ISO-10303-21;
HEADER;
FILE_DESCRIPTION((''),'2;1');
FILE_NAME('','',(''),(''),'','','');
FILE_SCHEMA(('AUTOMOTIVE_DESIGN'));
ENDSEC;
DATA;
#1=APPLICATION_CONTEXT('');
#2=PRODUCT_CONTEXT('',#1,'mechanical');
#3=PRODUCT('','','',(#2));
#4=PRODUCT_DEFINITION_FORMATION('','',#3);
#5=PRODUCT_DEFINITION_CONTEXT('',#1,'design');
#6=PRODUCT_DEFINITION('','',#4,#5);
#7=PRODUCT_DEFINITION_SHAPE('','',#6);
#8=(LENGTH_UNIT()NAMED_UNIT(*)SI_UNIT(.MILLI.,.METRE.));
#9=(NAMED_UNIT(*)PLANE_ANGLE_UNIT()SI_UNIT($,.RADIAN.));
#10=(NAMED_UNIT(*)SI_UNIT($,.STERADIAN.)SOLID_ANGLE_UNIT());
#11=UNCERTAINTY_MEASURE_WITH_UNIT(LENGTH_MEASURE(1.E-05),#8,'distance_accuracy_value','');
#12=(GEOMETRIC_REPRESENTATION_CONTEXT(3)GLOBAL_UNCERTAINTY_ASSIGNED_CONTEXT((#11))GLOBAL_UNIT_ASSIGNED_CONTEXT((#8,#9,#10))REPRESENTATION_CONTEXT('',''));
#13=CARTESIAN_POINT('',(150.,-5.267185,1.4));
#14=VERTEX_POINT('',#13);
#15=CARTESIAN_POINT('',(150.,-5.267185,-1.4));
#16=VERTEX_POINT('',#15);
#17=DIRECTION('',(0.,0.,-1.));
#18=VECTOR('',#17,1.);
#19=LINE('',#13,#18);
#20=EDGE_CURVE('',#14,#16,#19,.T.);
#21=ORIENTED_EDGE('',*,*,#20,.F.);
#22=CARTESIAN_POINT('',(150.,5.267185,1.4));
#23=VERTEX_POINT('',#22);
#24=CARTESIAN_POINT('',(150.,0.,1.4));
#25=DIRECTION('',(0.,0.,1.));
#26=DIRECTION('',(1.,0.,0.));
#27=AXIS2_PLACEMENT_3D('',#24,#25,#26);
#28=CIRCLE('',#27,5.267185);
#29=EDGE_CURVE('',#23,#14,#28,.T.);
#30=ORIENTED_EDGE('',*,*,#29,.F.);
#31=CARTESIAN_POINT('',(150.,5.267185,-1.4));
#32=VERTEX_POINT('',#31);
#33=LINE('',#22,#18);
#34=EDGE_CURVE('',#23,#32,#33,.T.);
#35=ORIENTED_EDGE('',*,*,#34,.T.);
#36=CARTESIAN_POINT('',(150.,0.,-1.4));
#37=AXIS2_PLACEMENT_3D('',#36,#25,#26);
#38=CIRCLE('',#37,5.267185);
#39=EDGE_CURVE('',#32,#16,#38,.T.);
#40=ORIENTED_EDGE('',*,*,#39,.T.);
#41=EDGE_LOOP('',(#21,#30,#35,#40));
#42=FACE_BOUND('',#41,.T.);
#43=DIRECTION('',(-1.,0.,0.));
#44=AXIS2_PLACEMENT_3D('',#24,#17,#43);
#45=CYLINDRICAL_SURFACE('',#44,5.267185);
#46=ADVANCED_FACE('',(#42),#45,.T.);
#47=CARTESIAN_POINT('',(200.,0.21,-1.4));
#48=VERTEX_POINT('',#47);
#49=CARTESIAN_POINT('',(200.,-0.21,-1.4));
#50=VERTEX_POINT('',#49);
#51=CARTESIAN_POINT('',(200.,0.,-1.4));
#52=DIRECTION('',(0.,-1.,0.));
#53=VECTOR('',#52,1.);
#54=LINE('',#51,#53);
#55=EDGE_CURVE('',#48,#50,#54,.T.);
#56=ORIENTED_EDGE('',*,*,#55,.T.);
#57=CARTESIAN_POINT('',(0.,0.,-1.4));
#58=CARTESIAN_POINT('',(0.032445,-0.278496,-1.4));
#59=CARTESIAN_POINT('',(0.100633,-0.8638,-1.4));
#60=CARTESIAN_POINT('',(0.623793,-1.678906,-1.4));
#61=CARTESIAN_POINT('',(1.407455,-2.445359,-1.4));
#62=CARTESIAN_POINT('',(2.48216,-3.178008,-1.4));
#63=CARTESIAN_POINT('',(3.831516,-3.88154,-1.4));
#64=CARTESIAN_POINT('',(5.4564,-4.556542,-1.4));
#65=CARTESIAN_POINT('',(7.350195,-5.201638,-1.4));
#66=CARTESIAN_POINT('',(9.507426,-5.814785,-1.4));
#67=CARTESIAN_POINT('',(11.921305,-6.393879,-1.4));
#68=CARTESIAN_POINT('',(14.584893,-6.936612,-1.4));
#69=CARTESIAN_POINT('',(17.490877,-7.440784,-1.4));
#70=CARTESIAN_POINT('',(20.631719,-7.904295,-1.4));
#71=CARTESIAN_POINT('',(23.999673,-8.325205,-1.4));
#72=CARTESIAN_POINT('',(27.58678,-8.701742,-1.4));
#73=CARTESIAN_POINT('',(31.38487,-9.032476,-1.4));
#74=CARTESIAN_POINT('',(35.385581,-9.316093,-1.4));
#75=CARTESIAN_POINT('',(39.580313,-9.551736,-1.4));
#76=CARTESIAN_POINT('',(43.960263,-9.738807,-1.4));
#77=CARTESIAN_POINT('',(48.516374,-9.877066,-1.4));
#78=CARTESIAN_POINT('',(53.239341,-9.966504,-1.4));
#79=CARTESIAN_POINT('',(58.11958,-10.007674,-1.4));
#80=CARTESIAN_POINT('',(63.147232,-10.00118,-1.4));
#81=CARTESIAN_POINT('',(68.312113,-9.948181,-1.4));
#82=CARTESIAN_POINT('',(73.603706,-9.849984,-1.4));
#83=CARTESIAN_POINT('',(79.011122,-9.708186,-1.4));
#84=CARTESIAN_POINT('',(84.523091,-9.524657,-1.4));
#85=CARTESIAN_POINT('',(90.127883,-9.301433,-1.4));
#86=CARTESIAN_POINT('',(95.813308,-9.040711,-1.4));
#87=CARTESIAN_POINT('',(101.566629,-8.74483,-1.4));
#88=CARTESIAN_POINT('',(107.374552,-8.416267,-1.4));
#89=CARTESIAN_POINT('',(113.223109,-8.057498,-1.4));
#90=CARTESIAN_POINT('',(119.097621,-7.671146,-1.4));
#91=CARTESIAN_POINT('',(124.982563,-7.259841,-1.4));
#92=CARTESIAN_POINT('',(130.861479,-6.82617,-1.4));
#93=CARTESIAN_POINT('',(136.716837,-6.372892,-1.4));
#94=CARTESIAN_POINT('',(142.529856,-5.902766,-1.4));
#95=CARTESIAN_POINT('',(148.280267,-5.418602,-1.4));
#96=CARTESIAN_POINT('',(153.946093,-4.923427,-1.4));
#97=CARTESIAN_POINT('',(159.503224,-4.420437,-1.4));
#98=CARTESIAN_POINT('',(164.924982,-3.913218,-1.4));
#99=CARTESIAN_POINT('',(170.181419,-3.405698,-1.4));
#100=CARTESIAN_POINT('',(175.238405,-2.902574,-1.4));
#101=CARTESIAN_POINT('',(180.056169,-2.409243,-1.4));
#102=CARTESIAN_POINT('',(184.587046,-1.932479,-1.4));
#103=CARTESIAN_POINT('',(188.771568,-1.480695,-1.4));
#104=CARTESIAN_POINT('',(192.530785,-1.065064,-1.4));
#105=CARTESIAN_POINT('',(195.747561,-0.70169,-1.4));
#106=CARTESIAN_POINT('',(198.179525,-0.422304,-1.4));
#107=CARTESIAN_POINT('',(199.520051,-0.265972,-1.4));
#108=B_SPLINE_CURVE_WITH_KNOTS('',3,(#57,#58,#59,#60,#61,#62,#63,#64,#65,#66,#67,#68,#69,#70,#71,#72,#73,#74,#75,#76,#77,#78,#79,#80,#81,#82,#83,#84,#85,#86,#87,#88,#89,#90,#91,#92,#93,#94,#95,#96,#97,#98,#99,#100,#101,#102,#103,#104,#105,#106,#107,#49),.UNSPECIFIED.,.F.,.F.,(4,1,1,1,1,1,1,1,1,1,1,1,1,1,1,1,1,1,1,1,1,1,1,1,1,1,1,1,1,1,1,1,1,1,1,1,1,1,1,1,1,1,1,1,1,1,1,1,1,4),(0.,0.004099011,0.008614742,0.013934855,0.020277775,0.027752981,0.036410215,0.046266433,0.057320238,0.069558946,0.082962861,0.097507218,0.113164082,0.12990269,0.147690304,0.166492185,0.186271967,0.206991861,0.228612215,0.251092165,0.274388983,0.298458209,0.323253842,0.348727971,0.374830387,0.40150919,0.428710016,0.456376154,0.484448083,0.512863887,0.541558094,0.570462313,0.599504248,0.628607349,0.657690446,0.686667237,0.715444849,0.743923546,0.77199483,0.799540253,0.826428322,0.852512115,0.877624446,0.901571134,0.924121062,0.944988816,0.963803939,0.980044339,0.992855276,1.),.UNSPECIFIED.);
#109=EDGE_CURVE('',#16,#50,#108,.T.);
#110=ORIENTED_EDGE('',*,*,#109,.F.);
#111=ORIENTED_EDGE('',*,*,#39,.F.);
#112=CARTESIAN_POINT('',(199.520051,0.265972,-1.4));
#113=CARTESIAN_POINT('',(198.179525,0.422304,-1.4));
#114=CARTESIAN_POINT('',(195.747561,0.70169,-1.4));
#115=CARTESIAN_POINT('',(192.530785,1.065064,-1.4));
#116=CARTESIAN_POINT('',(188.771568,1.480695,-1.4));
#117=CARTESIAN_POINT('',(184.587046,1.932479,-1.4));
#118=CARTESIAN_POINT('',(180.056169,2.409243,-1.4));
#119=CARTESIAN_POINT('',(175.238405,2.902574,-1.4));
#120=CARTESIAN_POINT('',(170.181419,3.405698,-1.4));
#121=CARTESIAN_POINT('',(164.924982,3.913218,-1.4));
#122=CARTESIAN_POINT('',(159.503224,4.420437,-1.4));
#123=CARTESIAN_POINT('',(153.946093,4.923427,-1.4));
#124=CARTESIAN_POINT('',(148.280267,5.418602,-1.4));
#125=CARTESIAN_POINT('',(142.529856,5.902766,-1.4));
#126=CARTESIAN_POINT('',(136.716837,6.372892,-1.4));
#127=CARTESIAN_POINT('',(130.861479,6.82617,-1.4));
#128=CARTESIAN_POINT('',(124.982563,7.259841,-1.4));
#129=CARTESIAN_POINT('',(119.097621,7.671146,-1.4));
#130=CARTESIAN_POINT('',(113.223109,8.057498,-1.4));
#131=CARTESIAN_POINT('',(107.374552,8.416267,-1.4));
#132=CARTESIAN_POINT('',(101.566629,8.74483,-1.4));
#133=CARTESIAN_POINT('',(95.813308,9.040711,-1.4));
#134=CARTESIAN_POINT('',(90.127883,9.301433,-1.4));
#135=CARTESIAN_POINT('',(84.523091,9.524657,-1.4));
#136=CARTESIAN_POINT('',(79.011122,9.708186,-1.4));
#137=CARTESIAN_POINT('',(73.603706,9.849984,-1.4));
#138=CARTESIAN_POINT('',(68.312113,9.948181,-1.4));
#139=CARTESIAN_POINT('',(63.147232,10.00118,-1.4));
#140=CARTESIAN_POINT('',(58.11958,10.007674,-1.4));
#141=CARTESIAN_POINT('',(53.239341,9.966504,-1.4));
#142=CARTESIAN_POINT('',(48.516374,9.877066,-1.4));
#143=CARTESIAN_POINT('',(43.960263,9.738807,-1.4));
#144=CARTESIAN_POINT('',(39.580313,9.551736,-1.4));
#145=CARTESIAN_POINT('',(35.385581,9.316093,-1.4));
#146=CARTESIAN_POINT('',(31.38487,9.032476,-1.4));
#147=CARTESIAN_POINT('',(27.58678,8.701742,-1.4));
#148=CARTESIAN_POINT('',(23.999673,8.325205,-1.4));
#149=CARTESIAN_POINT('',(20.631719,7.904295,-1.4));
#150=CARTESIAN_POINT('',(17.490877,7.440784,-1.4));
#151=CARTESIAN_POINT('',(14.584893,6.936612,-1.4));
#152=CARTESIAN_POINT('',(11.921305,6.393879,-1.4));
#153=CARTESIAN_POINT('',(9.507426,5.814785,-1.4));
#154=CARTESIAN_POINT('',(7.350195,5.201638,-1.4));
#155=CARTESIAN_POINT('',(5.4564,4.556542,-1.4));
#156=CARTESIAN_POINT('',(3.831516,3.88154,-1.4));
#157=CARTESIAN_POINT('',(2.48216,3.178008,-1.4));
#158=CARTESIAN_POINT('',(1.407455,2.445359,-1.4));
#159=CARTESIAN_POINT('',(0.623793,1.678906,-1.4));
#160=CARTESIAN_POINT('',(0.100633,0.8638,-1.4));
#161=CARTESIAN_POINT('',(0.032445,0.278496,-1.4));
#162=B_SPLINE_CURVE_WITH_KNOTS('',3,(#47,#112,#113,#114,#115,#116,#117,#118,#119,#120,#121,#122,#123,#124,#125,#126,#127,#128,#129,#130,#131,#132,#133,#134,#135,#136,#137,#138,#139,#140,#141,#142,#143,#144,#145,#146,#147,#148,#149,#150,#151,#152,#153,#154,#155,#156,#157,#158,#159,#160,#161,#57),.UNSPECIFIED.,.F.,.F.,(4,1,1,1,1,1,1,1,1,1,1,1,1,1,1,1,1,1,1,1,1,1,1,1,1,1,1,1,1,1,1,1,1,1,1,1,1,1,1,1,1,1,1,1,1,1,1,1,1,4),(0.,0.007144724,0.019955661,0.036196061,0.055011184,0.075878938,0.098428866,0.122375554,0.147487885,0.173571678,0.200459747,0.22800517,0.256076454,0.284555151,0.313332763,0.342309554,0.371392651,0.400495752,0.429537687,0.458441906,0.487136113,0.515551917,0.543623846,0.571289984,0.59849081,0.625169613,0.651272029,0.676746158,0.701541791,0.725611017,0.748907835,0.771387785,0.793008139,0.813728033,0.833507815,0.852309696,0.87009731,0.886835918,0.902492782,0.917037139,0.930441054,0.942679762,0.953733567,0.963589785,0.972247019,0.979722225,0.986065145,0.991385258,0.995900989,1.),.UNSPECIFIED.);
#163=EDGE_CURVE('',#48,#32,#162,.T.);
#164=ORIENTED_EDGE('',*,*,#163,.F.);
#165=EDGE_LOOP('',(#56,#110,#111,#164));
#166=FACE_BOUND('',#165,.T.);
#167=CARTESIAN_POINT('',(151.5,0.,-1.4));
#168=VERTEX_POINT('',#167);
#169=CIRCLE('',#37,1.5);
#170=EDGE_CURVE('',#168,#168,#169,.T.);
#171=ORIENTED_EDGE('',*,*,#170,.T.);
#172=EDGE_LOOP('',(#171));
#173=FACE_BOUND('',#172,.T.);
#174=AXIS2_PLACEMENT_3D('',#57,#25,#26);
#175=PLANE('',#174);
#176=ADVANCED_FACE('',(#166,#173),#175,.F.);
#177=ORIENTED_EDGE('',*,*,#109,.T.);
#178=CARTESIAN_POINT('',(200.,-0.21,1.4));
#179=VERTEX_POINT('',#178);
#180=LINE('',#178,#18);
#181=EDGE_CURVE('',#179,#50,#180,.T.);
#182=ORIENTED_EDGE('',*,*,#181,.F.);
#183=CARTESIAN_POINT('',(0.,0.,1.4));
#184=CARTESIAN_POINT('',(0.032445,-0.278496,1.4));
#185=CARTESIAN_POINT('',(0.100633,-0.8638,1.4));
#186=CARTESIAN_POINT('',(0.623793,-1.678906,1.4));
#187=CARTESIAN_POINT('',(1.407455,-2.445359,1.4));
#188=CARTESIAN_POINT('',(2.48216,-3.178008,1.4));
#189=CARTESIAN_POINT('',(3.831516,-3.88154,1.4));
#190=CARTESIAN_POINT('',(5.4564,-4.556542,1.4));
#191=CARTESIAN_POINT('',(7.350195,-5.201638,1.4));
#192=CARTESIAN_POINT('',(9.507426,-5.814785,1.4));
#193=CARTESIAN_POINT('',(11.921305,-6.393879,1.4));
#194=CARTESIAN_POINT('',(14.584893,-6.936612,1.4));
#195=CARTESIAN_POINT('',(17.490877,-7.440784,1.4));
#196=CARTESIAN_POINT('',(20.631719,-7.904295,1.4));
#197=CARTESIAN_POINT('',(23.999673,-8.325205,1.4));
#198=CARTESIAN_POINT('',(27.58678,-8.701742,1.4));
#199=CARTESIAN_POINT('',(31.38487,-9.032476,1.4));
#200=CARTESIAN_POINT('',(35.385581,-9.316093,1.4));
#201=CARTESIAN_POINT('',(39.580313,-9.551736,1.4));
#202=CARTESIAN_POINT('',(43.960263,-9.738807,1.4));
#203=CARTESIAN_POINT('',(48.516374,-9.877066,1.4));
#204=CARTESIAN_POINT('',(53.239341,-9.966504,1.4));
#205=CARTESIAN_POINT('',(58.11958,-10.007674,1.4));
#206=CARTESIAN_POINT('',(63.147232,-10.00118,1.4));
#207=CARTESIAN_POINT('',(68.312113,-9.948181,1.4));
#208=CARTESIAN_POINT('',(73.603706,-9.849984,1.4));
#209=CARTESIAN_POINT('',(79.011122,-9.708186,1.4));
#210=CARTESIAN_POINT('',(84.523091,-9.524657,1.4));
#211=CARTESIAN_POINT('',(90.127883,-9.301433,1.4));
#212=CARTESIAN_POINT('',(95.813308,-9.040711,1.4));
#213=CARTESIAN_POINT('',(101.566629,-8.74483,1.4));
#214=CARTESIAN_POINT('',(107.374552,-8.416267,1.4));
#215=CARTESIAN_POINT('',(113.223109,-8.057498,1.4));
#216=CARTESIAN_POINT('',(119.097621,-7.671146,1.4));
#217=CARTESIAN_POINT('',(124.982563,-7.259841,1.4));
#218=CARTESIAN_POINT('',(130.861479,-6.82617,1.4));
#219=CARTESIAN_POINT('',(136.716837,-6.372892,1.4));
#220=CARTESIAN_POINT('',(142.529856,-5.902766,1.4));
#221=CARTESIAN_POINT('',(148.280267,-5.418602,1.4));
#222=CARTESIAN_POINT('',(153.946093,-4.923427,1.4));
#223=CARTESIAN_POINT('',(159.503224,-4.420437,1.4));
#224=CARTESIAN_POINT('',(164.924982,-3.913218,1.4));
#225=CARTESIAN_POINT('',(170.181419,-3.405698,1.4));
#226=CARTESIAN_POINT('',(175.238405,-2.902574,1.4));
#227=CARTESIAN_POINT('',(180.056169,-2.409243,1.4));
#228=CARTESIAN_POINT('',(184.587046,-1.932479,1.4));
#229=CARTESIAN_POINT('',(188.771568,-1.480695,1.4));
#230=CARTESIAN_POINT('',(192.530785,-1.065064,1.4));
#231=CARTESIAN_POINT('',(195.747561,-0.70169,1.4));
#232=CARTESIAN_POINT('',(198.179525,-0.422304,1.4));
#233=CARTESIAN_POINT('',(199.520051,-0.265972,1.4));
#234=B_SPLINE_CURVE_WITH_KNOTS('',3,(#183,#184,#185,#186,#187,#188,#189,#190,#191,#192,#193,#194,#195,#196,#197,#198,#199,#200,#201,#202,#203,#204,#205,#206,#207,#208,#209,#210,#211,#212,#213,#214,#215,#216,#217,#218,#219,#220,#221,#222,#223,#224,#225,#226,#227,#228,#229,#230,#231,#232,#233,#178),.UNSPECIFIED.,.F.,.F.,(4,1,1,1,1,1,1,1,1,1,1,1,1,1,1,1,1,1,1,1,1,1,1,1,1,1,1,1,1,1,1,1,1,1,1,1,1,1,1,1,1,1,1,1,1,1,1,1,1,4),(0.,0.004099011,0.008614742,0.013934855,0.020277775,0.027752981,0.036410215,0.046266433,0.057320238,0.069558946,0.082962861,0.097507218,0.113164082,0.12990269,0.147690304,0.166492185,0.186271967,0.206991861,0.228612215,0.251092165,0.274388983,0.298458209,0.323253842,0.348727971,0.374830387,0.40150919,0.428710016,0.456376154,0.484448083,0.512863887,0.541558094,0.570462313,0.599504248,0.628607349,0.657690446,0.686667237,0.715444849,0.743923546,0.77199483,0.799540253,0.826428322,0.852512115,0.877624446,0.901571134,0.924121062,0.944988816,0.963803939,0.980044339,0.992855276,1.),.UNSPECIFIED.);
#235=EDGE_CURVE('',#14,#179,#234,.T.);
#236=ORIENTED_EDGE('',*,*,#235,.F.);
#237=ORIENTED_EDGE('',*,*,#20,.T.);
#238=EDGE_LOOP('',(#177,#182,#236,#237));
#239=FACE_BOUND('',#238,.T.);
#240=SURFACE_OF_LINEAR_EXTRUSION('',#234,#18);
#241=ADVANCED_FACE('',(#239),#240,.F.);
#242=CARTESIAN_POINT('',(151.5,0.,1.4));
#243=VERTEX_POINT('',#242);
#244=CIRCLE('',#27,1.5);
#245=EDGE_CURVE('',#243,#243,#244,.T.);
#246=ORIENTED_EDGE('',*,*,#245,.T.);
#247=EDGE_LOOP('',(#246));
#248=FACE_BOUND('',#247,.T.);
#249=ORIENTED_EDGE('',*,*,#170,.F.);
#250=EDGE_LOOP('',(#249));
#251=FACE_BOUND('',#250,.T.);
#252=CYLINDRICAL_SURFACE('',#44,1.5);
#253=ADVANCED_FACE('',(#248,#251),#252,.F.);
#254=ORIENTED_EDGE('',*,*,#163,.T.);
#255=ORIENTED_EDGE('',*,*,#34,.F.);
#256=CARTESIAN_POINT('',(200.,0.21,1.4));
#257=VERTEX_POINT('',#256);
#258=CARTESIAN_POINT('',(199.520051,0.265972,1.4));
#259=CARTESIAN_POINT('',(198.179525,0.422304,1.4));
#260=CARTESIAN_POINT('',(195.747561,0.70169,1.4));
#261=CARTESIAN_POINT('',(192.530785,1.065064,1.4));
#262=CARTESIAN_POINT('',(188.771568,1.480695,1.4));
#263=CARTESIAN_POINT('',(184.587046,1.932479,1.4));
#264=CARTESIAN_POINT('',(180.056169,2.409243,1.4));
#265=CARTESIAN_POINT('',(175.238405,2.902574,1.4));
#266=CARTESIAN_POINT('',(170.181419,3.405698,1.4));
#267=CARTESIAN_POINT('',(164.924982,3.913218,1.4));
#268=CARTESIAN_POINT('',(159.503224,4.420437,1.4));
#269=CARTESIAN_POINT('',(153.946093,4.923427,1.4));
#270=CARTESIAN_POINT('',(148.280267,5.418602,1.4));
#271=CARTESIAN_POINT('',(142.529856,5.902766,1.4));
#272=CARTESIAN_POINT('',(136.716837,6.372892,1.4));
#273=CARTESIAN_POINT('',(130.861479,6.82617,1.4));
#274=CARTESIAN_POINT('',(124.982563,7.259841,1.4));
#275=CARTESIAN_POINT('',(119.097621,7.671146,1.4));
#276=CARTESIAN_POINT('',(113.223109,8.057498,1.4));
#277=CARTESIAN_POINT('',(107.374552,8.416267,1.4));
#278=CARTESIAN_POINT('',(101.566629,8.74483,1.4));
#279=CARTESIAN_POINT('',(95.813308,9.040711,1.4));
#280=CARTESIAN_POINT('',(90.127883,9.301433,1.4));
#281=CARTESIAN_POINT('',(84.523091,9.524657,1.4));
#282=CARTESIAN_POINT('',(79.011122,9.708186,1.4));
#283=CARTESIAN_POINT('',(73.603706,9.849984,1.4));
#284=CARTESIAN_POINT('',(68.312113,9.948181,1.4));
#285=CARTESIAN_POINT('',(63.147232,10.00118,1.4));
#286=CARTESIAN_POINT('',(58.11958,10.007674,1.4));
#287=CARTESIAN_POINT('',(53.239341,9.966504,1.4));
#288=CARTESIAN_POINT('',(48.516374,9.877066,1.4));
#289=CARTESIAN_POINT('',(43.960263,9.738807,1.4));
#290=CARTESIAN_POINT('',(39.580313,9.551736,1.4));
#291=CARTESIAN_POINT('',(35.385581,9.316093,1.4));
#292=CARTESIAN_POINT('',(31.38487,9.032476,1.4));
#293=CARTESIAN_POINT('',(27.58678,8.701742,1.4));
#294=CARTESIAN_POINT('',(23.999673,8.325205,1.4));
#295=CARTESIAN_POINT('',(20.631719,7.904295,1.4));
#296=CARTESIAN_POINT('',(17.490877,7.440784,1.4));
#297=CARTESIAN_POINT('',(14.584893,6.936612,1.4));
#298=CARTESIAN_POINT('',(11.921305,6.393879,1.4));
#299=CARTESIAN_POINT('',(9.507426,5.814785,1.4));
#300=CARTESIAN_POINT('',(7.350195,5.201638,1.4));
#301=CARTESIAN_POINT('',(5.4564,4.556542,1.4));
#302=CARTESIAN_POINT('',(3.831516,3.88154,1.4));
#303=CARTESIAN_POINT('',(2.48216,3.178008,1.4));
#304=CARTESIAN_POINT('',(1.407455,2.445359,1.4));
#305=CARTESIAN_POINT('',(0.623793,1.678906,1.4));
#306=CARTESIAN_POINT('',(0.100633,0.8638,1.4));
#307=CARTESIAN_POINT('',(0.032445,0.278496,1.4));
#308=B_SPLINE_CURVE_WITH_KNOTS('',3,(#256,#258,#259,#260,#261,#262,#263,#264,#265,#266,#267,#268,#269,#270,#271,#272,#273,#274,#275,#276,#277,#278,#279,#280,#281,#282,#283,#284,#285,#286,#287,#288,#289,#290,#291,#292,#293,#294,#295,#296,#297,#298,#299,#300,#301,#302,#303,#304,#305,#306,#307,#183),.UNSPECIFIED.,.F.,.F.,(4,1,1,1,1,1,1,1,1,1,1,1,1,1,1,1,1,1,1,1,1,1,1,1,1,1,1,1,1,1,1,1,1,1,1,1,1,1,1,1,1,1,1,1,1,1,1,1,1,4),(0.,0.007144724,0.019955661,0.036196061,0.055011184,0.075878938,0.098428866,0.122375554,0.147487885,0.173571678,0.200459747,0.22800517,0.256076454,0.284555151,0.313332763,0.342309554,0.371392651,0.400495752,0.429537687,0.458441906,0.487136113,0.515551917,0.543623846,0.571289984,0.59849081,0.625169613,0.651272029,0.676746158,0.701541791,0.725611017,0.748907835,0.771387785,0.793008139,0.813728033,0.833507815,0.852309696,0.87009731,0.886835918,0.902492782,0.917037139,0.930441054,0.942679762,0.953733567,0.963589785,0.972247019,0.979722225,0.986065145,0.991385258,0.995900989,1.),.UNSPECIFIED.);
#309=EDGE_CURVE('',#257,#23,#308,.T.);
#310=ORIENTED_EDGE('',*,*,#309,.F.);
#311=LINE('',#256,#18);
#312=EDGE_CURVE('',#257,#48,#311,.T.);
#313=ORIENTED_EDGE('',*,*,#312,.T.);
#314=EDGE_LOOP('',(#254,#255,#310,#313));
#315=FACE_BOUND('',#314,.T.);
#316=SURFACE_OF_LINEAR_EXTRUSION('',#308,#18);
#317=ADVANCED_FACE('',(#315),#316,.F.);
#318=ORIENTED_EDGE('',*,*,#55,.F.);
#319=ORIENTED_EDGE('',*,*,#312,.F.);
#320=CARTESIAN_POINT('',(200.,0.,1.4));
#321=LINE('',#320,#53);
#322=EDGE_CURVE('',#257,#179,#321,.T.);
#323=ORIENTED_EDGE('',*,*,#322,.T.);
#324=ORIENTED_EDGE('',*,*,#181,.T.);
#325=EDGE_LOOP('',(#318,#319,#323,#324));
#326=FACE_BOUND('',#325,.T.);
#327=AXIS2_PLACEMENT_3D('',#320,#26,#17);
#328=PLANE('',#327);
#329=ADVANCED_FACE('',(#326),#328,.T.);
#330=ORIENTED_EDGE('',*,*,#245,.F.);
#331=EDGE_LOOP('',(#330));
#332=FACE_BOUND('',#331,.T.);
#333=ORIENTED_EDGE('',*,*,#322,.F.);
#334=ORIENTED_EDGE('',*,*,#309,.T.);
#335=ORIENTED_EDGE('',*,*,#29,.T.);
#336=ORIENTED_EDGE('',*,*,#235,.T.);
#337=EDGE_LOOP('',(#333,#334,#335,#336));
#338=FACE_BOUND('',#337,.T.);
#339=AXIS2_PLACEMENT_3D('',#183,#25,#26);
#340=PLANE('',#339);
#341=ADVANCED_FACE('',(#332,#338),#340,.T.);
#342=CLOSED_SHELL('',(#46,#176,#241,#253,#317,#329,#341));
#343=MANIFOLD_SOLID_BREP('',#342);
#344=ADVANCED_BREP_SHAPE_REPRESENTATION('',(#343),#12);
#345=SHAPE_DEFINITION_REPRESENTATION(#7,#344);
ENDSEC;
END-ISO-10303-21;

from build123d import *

# Parameters (mm, degrees)
SKETCH_3_R      = 1.5
EXTRUDE_1_DEPTH = 1.4


with BuildPart() as part:
    # Эскиз3 → Бобышка-Вытянуть1 (new, symmetric)
    with BuildSketch(Plane.XY):
        with BuildLine():
            Line((200, -0.21), (200, 0.21))
            add(Edge.make_bspline(
                [(200, 0.21), (199.520051416, 0.265971644), (198.179524953, 0.422303954), (195.747560944, 0.701689979), (192.530784687, 1.065063842), (188.771568451, 1.480695182), (184.58704572, 1.932479181), (180.05616868, 2.409243063), (175.238405485, 2.90257428), (168.371896377, 3.585728287), (161.260104983, 4.261418012), (154.510064634, 4.872380257), (151.327214442, 5.152043902), (150, 5.267185398)],
                knots=[0, 0, 0, 0, 0.007144724, 0.019955661, 0.036196061, 0.055011184, 0.075878938, 0.098428866, 0.122375554, 0.147487885, 0.200459747, 0.22800517, 0.247703369, 0.247703369, 0.247703369, 0.247703369], degree=3))
            ThreePointArc((150, 5.267185398), (144.732814602, 0), (150, -5.267185398))
            add(Edge.make_bspline(
                [(150, -5.267185398), (151.327214442, -5.152043902), (154.510064634, -4.872380257), (161.260104983, -4.261418012), (168.371896377, -3.585728287), (175.238405485, -2.90257428), (180.05616868, -2.409243063), (184.58704572, -1.932479181), (188.771568451, -1.480695182), (192.530784687, -1.065063842), (195.747560944, -0.701689979), (198.179524953, -0.422303954), (199.520051416, -0.265971644), (200, -0.21)],
                knots=[0.752296631, 0.752296631, 0.752296631, 0.752296631, 0.77199483, 0.799540253, 0.852512115, 0.877624446, 0.901571134, 0.924121062, 0.944988816, 0.963803939, 0.980044339, 0.992855276, 1, 1, 1, 1], degree=3))
        make_face()
        with Locations((150, 0)):
            Circle(SKETCH_3_R, mode=Mode.SUBTRACT)
    extrude(amount=EXTRUDE_1_DEPTH, both=True)


solid = part.part
